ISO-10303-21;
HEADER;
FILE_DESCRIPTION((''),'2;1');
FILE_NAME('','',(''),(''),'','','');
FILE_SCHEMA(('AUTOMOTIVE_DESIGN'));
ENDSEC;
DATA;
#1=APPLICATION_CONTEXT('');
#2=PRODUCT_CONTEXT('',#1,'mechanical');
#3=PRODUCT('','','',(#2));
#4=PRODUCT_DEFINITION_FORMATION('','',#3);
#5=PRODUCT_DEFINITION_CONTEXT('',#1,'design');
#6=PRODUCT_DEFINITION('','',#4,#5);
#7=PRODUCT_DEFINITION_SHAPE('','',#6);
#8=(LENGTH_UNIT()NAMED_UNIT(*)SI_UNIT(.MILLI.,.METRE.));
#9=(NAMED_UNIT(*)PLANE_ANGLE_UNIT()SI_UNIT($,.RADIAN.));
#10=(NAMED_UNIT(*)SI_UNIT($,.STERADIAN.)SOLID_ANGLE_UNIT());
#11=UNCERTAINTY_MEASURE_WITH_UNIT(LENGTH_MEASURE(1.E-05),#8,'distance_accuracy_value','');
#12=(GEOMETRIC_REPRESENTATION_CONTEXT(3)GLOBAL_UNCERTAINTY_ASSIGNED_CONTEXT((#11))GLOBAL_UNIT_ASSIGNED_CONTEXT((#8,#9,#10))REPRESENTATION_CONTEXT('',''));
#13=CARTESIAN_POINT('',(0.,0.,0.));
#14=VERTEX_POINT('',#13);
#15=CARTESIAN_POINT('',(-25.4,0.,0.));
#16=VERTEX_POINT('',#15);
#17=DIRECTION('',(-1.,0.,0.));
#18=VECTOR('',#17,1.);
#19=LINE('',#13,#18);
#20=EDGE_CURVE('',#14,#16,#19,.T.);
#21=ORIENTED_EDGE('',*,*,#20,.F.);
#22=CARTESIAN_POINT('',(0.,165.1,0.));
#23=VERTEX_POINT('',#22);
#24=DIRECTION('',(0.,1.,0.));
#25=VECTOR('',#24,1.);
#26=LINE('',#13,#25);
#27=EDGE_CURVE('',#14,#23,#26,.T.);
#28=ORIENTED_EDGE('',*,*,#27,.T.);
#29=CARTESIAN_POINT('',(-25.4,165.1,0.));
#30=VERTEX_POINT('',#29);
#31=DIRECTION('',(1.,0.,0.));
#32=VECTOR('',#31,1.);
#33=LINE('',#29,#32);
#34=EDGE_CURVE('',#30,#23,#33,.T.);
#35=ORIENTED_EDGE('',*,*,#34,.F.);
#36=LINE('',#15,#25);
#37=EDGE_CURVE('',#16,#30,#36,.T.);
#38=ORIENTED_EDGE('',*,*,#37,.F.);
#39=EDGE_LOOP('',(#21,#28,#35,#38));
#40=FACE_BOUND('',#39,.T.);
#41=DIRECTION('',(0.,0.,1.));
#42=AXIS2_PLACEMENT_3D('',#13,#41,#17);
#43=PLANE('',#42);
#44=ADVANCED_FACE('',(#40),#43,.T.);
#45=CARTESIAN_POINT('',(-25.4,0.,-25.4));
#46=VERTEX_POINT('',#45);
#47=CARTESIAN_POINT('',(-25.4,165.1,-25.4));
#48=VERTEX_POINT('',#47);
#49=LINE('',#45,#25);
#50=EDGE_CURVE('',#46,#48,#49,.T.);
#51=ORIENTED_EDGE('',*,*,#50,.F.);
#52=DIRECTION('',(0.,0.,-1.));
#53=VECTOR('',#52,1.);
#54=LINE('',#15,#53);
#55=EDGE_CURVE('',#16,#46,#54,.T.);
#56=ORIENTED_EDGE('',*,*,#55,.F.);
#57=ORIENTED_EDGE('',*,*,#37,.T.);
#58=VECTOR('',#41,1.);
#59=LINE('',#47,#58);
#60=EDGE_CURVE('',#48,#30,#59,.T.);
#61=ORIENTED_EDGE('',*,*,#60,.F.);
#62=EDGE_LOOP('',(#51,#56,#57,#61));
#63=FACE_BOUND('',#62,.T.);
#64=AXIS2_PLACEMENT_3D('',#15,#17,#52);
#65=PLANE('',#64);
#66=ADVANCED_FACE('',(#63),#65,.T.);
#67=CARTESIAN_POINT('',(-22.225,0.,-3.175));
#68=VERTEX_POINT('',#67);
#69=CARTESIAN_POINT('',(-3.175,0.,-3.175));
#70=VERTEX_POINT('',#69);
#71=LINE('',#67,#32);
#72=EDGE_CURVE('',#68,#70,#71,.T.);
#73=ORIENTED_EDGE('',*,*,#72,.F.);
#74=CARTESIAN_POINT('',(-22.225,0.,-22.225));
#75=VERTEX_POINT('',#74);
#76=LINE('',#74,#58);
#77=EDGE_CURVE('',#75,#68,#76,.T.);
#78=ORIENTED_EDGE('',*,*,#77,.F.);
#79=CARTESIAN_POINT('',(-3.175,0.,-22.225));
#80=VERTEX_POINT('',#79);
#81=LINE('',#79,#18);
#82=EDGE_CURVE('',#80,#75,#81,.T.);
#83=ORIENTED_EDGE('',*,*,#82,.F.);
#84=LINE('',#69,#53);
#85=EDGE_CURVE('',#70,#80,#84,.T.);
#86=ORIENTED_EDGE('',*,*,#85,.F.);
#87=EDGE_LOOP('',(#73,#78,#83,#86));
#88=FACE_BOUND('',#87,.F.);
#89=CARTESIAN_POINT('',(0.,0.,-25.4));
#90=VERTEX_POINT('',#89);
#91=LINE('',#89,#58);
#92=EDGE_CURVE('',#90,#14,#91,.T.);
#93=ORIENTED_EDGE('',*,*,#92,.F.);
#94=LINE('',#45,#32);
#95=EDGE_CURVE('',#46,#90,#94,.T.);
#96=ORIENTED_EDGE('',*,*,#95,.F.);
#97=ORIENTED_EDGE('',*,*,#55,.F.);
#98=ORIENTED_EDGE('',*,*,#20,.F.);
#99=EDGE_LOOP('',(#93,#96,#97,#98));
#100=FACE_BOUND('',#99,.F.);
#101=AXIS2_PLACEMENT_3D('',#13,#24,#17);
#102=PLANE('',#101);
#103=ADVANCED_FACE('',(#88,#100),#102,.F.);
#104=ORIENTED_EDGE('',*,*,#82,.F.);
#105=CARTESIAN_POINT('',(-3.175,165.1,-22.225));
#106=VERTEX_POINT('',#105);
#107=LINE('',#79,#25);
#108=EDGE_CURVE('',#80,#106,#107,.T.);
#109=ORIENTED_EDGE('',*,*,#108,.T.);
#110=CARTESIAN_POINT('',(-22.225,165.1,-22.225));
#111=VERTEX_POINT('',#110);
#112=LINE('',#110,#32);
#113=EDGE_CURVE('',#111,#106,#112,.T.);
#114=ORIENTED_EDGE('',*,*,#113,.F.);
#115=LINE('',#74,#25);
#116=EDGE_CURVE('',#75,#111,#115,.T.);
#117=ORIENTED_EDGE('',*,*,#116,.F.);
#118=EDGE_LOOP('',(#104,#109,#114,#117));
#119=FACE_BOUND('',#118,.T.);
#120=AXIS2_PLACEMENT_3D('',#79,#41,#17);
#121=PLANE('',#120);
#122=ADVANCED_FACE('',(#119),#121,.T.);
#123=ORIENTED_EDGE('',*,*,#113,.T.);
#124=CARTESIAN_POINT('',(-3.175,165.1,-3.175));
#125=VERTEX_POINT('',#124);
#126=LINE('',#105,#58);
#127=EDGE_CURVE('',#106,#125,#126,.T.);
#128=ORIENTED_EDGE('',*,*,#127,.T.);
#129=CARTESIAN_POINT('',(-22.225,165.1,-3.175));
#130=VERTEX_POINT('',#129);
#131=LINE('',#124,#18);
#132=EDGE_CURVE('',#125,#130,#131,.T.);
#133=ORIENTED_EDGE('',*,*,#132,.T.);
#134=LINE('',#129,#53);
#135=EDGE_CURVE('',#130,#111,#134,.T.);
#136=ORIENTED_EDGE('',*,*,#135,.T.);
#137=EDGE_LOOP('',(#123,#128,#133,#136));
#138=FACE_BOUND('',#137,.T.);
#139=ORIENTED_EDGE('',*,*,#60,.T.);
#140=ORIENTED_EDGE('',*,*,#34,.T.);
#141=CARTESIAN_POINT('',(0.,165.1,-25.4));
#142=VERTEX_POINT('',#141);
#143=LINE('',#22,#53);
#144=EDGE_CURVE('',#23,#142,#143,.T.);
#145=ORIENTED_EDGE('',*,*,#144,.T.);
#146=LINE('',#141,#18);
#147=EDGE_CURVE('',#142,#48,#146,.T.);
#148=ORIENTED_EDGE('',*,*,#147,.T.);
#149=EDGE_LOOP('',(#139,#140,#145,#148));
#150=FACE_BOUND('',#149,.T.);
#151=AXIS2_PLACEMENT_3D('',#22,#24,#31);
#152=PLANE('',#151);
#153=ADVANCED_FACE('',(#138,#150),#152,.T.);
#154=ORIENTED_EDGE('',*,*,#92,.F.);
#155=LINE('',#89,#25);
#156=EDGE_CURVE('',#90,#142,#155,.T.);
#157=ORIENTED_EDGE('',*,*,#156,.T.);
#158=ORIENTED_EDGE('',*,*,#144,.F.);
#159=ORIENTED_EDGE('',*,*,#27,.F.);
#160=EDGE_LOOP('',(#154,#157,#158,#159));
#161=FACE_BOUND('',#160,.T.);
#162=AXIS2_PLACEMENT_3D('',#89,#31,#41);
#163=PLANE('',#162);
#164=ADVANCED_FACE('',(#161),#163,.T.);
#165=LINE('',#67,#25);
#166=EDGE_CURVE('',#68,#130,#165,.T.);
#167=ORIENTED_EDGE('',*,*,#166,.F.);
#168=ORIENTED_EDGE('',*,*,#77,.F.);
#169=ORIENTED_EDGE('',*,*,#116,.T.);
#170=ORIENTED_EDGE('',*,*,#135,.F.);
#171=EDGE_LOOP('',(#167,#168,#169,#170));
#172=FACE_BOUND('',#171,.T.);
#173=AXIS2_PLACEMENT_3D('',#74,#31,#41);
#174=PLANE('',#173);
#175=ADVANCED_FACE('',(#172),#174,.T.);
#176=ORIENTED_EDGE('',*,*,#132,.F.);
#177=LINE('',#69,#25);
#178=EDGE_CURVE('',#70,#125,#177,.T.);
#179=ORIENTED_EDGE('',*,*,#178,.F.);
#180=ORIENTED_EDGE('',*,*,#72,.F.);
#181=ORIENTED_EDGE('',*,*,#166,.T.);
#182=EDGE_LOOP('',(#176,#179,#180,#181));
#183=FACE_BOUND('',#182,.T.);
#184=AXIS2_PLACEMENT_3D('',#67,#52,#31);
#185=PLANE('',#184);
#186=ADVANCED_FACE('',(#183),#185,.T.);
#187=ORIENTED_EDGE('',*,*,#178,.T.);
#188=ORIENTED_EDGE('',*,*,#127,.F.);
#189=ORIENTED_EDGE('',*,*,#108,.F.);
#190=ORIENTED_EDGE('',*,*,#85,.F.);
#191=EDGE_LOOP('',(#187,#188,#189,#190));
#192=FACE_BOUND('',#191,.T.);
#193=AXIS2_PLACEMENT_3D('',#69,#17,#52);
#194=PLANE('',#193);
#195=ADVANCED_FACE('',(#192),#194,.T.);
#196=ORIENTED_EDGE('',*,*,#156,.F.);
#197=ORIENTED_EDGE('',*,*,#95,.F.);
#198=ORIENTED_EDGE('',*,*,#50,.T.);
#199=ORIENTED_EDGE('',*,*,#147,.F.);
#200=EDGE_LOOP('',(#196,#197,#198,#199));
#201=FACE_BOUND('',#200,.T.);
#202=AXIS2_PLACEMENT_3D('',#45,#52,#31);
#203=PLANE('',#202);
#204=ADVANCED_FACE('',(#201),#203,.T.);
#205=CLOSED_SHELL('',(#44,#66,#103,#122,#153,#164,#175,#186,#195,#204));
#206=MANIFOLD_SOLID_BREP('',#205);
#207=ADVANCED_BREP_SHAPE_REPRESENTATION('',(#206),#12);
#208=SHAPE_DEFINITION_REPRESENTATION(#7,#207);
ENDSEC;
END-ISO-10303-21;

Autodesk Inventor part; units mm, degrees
ref_plane "YZ Plane" through (0, 0, 0) normal (1, 0, 0) x (0, 1, 0)
ref_plane "XZ Plane" through (0, 0, 0) normal (0, 1, 0) x (-1, 0, 0)
ref_plane "XY Plane" through (0, 0, 0) normal (0, 0, 1) x (1, 0, 0)
sketch "Sketch1" plane through (0, 0, 0) normal (0, 1, 0) x (-1, 0, 0)
  line L0 (0, 0) -> (25.4, 0)
  line L1 (25.4, 0) -> (25.4, -25.4)
  line L2 (25.4, -25.4) -> (0, -25.4)
  line L3 (0, -25.4) -> (0, 0)
  line L4 (22.225, -3.175) -> (3.175, -3.175)
  line L5 (3.175, -3.175) -> (3.175, -22.225)
  line L6 (3.175, -22.225) -> (22.225, -22.225)
  line L7 (22.225, -22.225) -> (22.225, -3.175)
  dimension "d0" = 25.4
  dimension "d1" = 25.4
  dimension "d2" = 3.175
extrude "Extrusion1" add sketch "Sketch1" along normal blind 215.9
sketch "Sketch2" plane through (0, 215.9, 0) normal (0, 1, 0) x (1, 0, 0)
  line L0 (-22.225, 3.175) -> (-22.225, 22.225) projected
  line L1 (-22.225, 22.225) -> (-3.175, 22.225) projected
  line L2 (-3.175, 22.225) -> (-3.175, 3.175) projected
  line L3 (-3.175, 3.175) -> (-22.225, 3.175) projected
  line L4 (-25.4, 0) -> (0, 0) projected
  line L5 (0, 0) -> (0, 25.4) projected
  line L6 (0, 25.4) -> (-25.4, 25.4) projected
  line L7 (-25.4, 25.4) -> (-25.4, 0) projected
extrude "Extrusion2" cut sketch "Sketch2" against normal blind 50.8
properties part number "ShooterBracket.ver1-1111-2020"
